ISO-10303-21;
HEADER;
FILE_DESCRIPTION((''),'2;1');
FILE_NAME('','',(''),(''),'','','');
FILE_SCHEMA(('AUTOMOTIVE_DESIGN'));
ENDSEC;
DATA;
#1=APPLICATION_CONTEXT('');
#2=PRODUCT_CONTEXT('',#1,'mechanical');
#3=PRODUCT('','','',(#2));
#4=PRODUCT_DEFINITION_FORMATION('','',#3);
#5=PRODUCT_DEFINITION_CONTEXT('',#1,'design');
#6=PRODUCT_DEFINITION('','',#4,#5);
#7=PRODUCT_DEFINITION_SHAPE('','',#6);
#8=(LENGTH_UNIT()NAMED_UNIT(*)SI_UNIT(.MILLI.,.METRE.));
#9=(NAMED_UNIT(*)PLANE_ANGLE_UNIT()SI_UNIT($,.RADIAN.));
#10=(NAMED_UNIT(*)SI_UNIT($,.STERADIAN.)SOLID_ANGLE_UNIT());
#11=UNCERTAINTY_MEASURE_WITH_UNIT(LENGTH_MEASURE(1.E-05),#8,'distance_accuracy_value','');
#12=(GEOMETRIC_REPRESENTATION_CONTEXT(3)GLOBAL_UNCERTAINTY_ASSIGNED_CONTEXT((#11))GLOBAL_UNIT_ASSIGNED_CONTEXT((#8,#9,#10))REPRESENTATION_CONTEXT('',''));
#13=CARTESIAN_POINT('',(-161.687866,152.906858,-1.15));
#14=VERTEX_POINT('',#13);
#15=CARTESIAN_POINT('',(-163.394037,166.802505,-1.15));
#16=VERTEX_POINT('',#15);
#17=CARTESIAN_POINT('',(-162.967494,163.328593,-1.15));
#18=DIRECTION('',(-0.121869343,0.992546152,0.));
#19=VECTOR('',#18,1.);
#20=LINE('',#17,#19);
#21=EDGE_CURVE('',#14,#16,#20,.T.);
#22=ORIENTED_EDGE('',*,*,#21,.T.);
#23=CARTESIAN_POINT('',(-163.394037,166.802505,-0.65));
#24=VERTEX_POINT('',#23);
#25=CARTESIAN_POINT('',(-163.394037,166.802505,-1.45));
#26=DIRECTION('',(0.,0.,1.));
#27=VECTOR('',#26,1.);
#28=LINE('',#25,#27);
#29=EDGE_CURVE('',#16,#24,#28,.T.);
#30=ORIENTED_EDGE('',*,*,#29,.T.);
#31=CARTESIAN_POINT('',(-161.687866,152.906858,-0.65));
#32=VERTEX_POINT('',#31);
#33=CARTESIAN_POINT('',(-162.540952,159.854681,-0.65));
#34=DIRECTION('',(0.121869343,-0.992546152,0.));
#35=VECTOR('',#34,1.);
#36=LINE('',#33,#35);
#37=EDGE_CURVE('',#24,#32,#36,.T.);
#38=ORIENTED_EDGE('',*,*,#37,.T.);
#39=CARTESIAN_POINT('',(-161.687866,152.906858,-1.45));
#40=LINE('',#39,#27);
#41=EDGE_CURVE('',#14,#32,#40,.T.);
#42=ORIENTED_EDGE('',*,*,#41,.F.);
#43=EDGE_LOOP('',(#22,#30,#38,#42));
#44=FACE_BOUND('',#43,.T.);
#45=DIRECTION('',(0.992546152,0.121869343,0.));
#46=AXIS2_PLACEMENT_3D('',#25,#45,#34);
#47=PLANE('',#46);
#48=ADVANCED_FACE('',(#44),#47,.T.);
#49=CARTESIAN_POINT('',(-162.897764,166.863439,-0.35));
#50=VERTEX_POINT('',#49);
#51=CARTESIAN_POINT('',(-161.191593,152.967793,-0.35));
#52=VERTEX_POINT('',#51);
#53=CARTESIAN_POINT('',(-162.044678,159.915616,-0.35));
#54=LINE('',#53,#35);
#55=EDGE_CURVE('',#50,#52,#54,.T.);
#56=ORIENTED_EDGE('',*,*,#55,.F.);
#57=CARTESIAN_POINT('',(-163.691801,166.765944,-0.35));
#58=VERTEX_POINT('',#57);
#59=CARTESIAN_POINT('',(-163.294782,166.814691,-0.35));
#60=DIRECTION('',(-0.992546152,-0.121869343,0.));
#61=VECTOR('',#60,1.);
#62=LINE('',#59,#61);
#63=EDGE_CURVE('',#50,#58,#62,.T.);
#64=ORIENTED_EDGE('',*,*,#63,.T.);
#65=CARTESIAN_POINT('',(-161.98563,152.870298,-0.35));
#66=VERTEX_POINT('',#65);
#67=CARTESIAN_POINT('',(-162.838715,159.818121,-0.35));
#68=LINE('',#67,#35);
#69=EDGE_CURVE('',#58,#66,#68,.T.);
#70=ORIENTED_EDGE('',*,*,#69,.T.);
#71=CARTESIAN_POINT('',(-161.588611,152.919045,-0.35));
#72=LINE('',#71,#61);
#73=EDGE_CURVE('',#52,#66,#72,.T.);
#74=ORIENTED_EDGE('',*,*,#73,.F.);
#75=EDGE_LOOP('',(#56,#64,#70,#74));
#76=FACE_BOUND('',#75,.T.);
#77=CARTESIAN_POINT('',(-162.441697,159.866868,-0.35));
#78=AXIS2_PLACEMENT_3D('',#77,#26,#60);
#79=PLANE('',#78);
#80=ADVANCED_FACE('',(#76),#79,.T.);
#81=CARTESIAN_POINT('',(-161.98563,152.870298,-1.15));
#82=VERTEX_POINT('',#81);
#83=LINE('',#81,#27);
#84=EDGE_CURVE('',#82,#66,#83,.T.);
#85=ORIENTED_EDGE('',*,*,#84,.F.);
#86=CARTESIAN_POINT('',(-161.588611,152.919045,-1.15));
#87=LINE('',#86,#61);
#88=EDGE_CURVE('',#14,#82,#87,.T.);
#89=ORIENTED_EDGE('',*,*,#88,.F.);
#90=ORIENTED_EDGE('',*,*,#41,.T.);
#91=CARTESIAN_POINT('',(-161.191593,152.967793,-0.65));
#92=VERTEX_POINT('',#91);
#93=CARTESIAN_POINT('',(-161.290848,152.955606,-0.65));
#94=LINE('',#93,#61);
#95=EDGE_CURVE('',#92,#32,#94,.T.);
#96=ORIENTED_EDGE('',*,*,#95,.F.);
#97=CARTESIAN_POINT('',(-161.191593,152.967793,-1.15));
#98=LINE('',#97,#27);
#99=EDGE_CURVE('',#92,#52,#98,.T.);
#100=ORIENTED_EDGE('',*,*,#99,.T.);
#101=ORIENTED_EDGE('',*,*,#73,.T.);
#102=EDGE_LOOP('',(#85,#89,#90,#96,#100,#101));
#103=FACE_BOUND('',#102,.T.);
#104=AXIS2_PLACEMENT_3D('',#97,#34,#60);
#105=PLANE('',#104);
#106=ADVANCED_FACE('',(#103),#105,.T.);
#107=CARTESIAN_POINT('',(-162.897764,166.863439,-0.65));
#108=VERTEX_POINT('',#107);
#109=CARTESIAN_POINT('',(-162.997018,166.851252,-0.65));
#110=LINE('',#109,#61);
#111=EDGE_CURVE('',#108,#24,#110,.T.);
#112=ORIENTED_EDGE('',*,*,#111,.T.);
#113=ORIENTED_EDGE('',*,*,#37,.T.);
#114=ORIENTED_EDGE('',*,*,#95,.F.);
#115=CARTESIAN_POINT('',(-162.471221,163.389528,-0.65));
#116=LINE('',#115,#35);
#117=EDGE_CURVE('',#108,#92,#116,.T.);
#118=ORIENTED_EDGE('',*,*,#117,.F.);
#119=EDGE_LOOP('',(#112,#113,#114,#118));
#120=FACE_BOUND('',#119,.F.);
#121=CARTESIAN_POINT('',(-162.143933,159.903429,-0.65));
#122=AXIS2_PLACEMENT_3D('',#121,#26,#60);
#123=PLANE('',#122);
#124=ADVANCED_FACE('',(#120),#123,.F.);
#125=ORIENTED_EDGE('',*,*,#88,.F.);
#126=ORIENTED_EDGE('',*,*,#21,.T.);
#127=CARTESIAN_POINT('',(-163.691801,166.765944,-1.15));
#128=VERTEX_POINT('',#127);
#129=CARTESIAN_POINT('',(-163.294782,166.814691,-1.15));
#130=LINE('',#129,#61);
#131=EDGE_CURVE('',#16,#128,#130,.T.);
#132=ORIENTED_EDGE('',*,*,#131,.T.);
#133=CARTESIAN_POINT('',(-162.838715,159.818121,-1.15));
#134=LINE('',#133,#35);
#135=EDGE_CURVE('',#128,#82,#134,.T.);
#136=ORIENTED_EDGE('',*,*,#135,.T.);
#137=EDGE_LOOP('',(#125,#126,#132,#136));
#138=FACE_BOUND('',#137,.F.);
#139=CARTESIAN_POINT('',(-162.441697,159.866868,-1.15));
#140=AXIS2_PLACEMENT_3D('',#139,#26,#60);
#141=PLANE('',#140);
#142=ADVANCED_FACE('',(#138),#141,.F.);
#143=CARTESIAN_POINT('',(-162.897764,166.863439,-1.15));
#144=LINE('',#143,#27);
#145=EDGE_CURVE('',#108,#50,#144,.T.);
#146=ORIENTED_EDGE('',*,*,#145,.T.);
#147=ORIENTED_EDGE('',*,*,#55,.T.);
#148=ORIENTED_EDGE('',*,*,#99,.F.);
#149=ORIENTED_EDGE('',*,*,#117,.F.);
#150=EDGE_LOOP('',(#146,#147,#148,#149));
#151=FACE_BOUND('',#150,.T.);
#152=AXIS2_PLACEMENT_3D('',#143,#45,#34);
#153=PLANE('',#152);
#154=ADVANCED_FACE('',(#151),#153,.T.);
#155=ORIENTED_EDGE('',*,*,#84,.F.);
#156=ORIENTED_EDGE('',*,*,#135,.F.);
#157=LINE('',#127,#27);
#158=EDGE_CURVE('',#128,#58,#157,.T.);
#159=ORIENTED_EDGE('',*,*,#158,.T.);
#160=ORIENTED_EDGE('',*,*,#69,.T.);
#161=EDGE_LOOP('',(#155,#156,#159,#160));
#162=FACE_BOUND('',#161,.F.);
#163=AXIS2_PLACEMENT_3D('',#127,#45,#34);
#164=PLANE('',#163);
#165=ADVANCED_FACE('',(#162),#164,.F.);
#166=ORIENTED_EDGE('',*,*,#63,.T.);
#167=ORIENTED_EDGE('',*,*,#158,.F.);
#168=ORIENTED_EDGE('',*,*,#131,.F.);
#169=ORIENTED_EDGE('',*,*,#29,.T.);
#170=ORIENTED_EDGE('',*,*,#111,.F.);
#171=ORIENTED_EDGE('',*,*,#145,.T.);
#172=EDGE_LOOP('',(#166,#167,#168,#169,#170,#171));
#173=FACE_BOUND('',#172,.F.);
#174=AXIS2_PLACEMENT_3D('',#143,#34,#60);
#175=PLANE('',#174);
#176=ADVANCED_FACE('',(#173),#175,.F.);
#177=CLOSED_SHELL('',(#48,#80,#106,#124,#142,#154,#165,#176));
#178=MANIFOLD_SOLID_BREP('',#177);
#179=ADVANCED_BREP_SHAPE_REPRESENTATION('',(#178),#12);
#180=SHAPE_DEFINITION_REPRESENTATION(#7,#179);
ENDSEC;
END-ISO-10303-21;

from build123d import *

# Parameters (mm, degrees)
BOX177_W               = 0.8
BOX177_H               = 14
BOX177_DEPTH           = 0.8
BOX178_W               = 0.8
BOX178_H               = 14
BOX178_DEPTH           = 0.8
CUT092_PLACEMENT_ANGLE = 187


with BuildPart() as cubo177:
    # Box177 → Box177 (new body)
    with BuildSketch(Plane.XY):
        with Locations((0.4, 7)):
            Rectangle(BOX177_W, BOX177_H)
    extrude(amount=BOX177_DEPTH)


with BuildPart() as perfil_l_2da_cara034:
    # Box178 → Box178 (new body)
    with BuildSketch(Plane(origin=(0.3, 0, 0.3), x_dir=(1, 0, 0), z_dir=(0, 0, 1))):
        with Locations((0.4, 7)):
            Rectangle(BOX178_W, BOX178_H)
    extrude(amount=BOX178_DEPTH)

    # Cut092: cut Cubo177
    add(cubo177.part, mode=Mode.SUBTRACT)


with BuildPart() as perfil_l_2da_cara034_1:
    # Cut092 placement: moved
    add(perfil_l_2da_cara034.part.moved(Location((-162.6, 166.9, -1.45))).rotate(Axis((-162.6, 166.9, -1.45), (0, 0, 1)), CUT092_PLACEMENT_ANGLE))


solid = perfil_l_2da_cara034_1.part
